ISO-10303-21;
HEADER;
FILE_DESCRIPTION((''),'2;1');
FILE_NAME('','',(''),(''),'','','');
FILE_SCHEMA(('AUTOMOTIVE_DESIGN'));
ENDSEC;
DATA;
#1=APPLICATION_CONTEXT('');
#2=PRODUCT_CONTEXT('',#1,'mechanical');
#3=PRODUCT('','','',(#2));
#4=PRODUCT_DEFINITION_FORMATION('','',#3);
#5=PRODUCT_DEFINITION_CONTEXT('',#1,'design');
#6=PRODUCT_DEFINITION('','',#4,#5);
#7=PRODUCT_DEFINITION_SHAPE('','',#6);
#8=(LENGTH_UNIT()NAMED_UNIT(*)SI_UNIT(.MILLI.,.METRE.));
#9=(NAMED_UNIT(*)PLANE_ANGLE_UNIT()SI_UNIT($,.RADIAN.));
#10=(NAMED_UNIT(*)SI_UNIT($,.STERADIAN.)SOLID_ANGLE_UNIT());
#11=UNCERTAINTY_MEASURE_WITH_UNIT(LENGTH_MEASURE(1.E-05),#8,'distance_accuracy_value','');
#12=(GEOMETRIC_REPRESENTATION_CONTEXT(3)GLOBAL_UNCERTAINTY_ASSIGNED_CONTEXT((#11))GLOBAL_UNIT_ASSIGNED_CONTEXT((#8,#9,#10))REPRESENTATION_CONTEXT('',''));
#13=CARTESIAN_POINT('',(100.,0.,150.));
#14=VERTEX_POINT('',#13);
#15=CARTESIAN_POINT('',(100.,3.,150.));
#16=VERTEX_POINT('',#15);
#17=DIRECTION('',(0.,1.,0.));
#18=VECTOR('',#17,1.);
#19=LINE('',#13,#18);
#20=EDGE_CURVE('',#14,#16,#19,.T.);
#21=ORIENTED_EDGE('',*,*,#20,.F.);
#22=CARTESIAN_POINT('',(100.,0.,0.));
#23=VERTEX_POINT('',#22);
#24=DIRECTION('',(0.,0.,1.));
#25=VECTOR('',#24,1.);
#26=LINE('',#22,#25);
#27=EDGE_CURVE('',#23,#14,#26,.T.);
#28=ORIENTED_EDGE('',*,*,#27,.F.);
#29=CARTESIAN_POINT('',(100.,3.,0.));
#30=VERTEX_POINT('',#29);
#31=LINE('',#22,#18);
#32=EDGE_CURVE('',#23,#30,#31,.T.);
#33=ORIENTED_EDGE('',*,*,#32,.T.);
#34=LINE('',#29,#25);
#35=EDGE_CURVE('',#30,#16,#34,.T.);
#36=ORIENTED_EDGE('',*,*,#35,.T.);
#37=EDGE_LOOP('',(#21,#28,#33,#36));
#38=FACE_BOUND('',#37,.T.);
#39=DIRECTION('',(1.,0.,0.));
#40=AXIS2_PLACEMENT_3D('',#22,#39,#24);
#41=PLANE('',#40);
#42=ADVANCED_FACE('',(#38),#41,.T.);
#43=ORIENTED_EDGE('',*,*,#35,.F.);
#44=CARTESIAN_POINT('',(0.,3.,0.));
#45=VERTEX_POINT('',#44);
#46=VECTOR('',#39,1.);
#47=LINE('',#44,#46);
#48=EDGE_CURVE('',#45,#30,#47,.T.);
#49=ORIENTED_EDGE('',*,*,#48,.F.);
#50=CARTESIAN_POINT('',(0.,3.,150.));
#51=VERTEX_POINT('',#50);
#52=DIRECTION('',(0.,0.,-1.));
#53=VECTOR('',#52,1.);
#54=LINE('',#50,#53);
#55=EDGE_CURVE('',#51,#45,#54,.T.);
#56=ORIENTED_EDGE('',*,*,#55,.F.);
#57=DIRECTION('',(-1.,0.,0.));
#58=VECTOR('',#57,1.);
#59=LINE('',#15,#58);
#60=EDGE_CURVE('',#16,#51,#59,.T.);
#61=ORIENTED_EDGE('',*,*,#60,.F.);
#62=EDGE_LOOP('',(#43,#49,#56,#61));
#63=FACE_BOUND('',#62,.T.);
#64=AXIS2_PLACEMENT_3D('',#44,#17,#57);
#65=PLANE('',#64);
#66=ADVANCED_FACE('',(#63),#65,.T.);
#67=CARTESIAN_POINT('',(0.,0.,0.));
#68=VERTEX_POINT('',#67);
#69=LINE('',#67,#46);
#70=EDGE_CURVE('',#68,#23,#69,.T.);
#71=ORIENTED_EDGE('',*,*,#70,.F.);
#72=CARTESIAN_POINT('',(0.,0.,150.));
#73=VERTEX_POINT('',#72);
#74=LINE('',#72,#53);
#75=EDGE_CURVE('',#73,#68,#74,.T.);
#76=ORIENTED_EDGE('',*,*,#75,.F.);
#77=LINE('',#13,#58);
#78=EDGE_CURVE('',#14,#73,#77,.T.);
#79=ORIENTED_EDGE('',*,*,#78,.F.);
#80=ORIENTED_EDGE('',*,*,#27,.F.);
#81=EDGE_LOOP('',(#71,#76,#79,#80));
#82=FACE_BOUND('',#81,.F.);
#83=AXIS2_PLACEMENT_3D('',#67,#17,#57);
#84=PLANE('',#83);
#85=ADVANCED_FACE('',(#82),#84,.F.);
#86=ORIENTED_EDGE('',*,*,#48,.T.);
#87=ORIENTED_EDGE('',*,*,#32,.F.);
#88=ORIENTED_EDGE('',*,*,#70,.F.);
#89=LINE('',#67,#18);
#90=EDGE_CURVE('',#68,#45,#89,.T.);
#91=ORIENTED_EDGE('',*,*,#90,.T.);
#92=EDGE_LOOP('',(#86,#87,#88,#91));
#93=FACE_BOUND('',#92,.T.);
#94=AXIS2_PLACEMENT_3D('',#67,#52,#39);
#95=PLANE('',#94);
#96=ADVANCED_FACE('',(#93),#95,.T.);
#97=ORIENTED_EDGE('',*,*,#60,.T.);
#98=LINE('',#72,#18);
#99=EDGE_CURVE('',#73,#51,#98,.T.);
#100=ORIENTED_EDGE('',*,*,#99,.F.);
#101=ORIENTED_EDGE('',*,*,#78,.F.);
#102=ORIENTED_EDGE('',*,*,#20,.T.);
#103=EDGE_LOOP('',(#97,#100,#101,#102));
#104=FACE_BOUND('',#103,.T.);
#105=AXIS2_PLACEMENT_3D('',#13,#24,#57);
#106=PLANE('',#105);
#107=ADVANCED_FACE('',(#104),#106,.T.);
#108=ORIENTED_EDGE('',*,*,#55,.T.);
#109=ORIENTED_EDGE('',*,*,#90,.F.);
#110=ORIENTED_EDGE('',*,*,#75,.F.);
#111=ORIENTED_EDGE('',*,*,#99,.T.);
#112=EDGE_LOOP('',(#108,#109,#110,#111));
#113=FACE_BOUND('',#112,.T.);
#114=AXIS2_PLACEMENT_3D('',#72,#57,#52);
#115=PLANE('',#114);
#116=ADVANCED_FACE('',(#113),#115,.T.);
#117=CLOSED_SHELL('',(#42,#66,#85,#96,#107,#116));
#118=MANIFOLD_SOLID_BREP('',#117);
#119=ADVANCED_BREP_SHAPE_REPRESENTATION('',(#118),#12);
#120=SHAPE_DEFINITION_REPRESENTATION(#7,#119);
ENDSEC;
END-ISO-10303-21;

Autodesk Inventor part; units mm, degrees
ref_plane "YZ Plane" through (0, 0, 0) normal (1, 0, 0) x (0, 1, 0)
ref_plane "XZ Plane" through (0, 0, 0) normal (0, 1, 0) x (-1, 0, 0)
ref_plane "XY Plane" through (0, 0, 0) normal (0, 0, 1) x (1, 0, 0)
sketch "スケッチ1" plane through (0, 0, 0) normal (0, 1, 0) x (-1, 0, 0)
  line L0 (0, 0) -> (-100, 0)
  line L1 (-100, 0) -> (-100, 150)
  line L2 (-100, 150) -> (0, 150)
  line L3 (0, 150) -> (0, 0)
  dimension "d0" = 100
  dimension "d1" = 150
extrude "押し出し1" add sketch "スケッチ1" along normal blind 3
